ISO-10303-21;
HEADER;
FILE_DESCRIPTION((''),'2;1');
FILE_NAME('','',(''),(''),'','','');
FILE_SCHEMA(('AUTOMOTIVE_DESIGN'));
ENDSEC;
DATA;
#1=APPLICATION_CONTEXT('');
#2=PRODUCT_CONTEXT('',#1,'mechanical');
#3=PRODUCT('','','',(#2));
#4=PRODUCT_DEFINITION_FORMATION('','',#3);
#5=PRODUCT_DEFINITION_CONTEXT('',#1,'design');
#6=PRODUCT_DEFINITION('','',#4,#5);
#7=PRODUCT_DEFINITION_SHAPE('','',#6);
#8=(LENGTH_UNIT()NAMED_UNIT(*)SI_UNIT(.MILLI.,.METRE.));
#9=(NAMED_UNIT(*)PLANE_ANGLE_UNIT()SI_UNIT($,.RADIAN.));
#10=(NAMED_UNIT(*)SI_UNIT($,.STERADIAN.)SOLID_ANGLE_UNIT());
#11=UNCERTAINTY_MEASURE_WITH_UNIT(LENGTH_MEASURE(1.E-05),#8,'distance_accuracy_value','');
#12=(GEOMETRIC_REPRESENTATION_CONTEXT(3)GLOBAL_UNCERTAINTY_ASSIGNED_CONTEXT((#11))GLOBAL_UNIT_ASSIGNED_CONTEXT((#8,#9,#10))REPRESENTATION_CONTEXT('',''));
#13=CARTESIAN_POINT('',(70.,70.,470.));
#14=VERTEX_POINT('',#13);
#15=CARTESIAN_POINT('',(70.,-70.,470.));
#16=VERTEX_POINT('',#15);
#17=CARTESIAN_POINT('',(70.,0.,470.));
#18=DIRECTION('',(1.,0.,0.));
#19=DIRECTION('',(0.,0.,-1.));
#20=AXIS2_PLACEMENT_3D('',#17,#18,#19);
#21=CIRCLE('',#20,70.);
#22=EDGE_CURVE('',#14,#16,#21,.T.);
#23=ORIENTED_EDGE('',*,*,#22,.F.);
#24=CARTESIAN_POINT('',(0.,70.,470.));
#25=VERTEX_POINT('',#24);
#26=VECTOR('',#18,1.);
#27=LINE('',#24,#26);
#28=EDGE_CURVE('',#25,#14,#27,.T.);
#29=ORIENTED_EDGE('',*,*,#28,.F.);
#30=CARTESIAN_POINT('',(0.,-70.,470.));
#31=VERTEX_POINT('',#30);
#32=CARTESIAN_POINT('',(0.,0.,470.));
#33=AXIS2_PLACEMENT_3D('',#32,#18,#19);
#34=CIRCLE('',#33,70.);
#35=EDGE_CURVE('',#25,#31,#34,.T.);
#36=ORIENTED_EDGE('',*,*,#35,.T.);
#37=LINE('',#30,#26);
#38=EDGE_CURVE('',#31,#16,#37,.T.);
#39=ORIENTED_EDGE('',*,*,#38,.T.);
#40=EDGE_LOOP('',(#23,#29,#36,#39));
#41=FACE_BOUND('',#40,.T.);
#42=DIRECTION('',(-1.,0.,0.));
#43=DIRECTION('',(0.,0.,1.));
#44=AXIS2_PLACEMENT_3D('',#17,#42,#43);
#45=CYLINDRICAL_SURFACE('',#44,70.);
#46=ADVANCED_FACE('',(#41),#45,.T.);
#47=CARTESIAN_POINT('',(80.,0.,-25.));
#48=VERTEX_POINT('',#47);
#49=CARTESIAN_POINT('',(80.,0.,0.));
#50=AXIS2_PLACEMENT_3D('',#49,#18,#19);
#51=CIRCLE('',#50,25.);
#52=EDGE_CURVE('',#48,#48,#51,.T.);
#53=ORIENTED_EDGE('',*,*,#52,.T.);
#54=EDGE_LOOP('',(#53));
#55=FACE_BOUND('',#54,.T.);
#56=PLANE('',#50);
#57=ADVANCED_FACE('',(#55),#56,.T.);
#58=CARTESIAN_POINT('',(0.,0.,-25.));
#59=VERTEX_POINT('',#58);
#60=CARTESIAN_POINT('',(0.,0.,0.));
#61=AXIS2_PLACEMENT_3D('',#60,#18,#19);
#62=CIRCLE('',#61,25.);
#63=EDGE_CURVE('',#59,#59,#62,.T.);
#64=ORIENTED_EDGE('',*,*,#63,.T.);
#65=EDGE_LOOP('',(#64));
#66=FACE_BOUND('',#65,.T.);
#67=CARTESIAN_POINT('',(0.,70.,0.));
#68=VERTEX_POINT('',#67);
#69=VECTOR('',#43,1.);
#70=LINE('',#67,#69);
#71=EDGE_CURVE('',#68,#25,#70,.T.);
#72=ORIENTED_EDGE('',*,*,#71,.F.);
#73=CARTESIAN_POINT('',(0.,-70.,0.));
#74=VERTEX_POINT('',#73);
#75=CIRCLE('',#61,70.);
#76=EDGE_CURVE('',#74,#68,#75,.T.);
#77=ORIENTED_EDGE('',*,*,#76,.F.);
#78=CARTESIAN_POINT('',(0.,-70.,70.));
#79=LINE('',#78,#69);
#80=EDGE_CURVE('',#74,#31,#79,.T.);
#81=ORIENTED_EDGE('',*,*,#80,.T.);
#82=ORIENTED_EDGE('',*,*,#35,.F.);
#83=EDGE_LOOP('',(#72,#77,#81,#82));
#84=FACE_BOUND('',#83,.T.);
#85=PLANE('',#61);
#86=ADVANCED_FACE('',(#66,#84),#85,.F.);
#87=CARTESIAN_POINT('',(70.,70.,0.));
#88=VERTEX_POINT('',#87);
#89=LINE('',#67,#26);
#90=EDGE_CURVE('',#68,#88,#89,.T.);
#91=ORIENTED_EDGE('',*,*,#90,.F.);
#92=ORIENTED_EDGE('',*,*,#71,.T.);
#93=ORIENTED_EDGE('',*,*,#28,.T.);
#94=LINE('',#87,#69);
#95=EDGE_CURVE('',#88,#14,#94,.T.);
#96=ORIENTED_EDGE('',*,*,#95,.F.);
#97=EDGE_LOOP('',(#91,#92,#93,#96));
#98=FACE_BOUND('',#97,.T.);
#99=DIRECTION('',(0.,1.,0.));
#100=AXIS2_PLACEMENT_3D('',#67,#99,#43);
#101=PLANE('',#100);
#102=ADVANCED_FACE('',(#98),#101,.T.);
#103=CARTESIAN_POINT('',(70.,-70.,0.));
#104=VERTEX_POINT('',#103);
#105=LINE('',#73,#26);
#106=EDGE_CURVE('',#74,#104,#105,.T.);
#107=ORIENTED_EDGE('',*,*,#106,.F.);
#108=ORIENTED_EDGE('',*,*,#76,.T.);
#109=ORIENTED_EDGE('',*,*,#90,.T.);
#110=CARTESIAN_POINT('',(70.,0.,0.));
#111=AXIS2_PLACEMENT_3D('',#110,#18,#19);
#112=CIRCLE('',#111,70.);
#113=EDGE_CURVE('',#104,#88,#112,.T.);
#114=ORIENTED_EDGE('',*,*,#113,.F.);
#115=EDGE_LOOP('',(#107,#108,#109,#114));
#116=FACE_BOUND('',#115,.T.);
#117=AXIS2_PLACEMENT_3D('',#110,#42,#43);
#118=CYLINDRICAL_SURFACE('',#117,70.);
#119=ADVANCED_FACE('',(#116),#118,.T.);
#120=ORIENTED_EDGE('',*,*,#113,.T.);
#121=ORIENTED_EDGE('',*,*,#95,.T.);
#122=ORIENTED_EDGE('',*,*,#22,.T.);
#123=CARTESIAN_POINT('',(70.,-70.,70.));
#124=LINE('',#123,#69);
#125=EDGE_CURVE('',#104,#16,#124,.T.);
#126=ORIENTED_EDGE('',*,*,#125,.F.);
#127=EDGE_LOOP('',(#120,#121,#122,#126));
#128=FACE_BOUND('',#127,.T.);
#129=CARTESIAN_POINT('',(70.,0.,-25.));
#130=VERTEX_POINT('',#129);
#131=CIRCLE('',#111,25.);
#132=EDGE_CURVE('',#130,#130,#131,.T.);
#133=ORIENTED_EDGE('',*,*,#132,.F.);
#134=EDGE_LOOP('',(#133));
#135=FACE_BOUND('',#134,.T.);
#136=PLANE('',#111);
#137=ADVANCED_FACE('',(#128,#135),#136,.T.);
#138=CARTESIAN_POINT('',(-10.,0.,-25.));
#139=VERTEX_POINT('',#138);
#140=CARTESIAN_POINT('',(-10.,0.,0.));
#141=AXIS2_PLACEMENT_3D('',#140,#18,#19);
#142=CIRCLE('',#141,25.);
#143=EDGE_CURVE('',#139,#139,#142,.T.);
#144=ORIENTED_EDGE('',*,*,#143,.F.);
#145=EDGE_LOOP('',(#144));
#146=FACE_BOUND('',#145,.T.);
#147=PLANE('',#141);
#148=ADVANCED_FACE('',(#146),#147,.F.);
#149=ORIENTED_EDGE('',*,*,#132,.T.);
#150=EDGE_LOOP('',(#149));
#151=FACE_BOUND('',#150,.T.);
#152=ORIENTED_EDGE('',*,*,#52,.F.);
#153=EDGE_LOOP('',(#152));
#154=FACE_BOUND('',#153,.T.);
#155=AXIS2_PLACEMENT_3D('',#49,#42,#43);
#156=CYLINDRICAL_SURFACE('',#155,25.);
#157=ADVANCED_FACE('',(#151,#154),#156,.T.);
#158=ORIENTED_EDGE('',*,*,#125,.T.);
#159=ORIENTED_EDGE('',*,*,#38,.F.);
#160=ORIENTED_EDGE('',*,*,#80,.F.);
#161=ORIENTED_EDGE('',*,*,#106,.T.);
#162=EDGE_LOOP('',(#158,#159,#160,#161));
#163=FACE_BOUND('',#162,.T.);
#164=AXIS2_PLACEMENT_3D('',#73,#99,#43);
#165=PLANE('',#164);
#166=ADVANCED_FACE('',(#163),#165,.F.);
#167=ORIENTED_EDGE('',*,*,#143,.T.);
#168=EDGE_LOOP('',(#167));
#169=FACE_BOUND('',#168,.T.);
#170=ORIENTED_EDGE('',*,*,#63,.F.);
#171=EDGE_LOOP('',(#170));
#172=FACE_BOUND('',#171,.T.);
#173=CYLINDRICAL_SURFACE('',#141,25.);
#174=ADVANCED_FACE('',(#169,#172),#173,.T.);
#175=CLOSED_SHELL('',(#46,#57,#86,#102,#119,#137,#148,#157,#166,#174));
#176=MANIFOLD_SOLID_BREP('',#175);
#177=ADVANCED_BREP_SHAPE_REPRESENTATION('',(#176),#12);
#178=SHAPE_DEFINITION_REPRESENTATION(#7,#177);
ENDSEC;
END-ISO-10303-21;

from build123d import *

# Parameters (mm, degrees)
SKETCH3_R           = 70
BOSS_EXTRUDE1_DEPTH = 70
SKETCH4_R           = 25
BOSS_EXTRUDE2_DEPTH = 10
BOSS_EXTRUDE3_START = 10
SKETCH6_R           = 25
BOSS_EXTRUDE3_DEPTH = 10
SKETCH7_W           = 70
SKETCH7_H           = 400
BOSS_EXTRUDE4_DEPTH = 140
BOSS_EXTRUDE5_START = -70
BOSS_EXTRUDE5_DEPTH = 70
BOSS_EXTRUDE6_DEPTH = 70


with BuildPart() as part:
    # Sketch3 → Boss-Extrude1 (new body)
    with BuildSketch(Plane(origin=(0, 0, 0), x_dir=(0, 0, -1), z_dir=(1, 0, 0))):
        Circle(SKETCH3_R)
    extrude(amount=BOSS_EXTRUDE1_DEPTH)

    # Sketch4 → Boss-Extrude2 (add)
    with BuildSketch(Plane(origin=(0, 0, 0), x_dir=(0, 0, -1), z_dir=(1, 0, 0))):
        Circle(SKETCH4_R)
    extrude(amount=-BOSS_EXTRUDE2_DEPTH)

    # Sketch6 → Boss-Extrude3 (add)
    with BuildSketch(Plane(origin=(70, 0, 0), x_dir=(0, 0, -1), z_dir=(1, 0, 0)).offset(BOSS_EXTRUDE3_START)):
        Circle(SKETCH6_R)
    extrude(amount=-BOSS_EXTRUDE3_DEPTH)



with BuildPart() as body_2:
    # Sketch7 → Boss-Extrude4 (new body)
    with BuildSketch(Plane(origin=(0, 70, 0), x_dir=(1, 0, 0), z_dir=(0, 1, 0))):
        with Locations((35, -270)):
            Rectangle(SKETCH7_W, SKETCH7_H)
    extrude(amount=-BOSS_EXTRUDE4_DEPTH)


with BuildPart() as part_1:
    add(part.part)

    add(body_2.part)  # Boss-Extrude5 merges body 2
    # Sketch8 → Boss-Extrude5 (add)
    with BuildSketch(Plane(origin=(70, 0, 0), x_dir=(0, 0, -1), z_dir=(1, 0, 0)).offset(BOSS_EXTRUDE5_START)):
        with BuildLine():
            ThreePointArc((-70, -2.7e-08), (-49.497474693, 49.497474674), (0, 70))
            Line((0, 70), (-70, 70))
            Line((-70, 70), (-70, -2.7e-08))
        make_face()
        with BuildLine():
            ThreePointArc((0, -70), (-49.497474674, -49.497474693), (-70, -2.7e-08))
            Line((-70, -2.7e-08), (-70, -70))
            Line((-70, -70), (0, -70))
        make_face()
    extrude(amount=BOSS_EXTRUDE5_DEPTH)

    # Sketch9 → Boss-Extrude6 (add)
    with BuildSketch(Plane(origin=(0, 0, 0), x_dir=(0, 0, -1), z_dir=(1, 0, 0))):
        with BuildLine():
            Line((-470, 70), (-470, -70))
            ThreePointArc((-470, -70), (-540, 0), (-470, 70))
        make_face()
    extrude(amount=BOSS_EXTRUDE6_DEPTH)


solid = part_1.part
